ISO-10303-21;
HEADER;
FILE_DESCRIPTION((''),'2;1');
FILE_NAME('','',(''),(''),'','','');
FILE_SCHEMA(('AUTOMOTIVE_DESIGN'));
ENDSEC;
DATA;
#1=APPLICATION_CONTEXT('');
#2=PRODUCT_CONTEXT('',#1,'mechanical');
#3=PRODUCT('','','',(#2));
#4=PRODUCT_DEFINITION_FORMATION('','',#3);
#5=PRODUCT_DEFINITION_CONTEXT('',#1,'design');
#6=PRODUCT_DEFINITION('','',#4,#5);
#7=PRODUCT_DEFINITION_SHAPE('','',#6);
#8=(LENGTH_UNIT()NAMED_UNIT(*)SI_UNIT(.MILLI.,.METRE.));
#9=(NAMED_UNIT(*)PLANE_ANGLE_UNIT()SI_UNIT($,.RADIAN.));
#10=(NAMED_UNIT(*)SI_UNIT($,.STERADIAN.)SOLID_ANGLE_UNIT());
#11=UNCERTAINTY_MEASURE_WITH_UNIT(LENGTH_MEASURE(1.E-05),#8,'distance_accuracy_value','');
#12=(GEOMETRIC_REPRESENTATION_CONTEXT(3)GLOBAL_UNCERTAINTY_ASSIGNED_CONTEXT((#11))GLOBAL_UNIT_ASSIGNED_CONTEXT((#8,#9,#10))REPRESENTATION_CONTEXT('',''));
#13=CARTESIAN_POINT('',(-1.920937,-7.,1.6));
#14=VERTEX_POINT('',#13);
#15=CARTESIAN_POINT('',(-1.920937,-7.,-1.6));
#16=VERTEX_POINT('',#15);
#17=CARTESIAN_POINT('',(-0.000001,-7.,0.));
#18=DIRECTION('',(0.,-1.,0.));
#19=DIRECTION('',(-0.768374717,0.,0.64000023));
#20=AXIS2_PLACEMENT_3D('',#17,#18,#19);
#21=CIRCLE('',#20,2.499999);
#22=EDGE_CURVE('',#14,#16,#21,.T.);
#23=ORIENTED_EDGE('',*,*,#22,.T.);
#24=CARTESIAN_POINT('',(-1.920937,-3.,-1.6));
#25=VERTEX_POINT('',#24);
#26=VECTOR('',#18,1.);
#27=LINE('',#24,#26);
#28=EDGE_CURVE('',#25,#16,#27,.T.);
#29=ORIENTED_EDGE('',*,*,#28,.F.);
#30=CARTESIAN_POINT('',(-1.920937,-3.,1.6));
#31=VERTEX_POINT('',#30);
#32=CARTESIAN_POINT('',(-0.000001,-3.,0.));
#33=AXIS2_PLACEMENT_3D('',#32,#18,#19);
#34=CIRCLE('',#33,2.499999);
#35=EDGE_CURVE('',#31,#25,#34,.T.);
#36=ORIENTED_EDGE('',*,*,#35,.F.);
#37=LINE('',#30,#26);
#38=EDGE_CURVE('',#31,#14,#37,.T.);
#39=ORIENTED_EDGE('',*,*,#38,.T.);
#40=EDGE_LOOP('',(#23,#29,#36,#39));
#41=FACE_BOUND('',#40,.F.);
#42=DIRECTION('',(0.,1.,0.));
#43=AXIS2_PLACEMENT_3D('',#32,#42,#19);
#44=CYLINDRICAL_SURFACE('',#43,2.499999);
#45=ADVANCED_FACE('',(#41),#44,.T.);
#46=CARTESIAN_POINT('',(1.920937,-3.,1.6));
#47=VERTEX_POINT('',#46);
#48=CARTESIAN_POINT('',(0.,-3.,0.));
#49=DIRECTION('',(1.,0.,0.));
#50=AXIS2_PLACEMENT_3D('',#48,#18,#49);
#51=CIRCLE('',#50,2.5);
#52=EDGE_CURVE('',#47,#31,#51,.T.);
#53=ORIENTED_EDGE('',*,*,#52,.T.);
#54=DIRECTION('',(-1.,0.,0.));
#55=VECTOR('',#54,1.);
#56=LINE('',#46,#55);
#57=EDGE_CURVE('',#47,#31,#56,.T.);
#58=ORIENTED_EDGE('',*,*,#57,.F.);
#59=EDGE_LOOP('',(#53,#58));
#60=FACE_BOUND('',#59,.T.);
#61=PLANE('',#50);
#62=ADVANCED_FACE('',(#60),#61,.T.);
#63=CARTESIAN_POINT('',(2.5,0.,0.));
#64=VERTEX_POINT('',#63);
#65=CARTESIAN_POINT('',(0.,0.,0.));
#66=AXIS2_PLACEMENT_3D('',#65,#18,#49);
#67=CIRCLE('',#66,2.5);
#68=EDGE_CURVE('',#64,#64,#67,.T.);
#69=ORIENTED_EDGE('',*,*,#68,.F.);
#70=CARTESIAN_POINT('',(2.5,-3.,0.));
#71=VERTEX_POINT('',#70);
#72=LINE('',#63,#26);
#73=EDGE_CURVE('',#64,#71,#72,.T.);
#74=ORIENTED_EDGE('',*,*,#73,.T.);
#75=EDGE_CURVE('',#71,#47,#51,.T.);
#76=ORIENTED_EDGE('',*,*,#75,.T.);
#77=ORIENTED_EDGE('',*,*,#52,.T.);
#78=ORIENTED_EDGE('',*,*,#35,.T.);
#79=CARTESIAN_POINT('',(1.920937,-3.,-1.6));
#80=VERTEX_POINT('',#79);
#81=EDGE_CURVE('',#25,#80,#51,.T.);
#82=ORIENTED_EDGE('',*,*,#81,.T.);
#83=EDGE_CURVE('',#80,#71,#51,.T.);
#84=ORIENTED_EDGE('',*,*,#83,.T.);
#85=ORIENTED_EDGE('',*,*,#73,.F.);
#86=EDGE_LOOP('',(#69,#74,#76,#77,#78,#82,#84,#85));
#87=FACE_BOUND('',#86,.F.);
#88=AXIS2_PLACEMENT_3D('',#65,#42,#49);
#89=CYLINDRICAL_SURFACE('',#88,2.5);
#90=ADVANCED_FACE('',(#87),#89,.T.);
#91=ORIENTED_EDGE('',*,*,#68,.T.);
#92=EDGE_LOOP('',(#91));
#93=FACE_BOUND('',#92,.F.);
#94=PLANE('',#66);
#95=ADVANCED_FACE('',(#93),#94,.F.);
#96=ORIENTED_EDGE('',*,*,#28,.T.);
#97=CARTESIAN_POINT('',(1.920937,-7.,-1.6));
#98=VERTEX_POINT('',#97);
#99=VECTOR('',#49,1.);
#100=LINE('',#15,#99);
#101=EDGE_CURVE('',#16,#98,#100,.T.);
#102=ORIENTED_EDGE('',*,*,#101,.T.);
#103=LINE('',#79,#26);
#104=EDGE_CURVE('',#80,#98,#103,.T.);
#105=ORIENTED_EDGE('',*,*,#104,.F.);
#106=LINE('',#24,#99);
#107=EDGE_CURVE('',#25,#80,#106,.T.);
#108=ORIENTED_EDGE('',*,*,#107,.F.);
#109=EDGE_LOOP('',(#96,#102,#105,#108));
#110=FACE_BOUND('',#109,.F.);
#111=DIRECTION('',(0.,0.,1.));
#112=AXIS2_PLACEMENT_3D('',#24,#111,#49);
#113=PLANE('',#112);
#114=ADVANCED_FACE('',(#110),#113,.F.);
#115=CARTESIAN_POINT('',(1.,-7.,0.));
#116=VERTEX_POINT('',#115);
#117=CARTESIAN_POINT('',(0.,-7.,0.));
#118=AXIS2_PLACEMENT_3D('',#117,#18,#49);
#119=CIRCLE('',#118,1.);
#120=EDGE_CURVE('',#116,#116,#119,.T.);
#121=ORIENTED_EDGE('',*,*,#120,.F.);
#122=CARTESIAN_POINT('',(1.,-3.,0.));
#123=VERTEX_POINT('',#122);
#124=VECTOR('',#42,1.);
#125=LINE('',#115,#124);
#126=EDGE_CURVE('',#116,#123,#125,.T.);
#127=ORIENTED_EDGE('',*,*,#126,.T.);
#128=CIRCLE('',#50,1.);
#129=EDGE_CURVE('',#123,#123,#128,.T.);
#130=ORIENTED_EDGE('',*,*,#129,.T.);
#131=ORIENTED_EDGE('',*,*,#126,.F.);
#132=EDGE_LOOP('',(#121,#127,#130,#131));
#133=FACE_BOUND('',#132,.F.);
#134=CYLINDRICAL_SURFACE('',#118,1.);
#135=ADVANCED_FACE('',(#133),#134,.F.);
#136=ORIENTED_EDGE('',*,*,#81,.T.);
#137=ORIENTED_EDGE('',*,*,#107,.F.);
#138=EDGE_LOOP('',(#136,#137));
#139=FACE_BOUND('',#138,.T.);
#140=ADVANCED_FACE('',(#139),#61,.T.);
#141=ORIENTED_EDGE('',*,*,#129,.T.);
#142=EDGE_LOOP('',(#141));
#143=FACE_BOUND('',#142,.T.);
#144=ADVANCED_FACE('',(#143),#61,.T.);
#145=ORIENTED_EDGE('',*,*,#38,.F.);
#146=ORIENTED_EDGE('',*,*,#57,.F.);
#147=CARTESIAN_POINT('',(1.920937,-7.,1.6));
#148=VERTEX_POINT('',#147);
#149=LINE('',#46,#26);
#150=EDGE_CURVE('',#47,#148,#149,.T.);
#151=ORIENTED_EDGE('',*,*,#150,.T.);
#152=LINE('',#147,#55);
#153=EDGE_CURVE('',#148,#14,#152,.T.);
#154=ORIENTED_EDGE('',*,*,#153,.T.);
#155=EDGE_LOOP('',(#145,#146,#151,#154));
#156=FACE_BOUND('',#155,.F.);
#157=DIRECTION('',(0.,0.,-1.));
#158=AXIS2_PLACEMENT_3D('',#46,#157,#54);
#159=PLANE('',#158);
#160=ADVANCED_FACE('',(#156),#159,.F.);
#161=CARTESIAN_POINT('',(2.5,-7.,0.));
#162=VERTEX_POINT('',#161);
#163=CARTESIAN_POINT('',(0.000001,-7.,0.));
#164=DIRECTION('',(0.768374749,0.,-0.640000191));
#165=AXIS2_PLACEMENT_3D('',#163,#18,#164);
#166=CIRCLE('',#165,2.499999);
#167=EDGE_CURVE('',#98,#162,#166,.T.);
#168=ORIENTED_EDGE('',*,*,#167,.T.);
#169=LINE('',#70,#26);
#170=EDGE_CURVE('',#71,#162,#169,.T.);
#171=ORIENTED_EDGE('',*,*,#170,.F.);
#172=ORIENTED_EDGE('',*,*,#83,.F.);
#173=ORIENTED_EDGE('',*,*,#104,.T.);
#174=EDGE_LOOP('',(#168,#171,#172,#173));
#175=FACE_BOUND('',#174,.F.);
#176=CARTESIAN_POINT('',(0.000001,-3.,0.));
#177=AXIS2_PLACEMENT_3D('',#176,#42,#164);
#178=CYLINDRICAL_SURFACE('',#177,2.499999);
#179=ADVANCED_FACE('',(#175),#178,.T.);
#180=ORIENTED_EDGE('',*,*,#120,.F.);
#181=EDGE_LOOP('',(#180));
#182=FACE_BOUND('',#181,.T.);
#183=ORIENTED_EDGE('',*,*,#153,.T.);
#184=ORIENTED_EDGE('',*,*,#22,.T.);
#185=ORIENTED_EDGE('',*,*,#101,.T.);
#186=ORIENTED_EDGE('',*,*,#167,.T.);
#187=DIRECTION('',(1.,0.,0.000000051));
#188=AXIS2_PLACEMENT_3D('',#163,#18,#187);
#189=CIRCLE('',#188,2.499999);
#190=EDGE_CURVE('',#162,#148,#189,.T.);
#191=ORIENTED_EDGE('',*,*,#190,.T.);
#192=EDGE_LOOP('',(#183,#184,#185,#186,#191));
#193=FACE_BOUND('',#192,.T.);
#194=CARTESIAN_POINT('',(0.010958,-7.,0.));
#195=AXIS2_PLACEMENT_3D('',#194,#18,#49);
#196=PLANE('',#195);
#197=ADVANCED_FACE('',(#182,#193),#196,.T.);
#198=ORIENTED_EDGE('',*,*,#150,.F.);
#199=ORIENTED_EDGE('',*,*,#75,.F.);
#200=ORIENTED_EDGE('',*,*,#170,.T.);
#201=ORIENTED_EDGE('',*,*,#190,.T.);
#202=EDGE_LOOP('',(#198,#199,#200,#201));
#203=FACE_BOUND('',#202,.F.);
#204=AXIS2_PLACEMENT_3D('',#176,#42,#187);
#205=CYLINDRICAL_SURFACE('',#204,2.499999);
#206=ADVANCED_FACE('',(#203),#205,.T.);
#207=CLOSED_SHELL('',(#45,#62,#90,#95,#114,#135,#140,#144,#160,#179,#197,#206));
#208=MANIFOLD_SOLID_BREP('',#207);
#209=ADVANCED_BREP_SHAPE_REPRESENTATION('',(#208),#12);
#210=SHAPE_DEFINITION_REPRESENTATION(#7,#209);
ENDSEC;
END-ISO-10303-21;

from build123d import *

# Parameters (mm, degrees)
F0_R     = 2.5
F1_DEPTH = 3
F3_DEPTH = 4
F4_R     = 1
F5_DEPTH = 4


with BuildPart() as f1:
    # F0 (on Front) → F1 (new body)
    with BuildSketch(Plane.XZ):
        Circle(F0_R)
    extrude(amount=F1_DEPTH)

    # F2 (on face) → F3 (join)
    with BuildSketch(Plane.XZ.offset(3)):
        with BuildLine():
            Line((1.920937, 1.6), (-1.920937, 1.6))
            ThreePointArc((-1.920937, 1.6), (-2.5, 0), (-1.920937, -1.6))
            Line((-1.920937, -1.6), (1.920937, -1.6))
            ThreePointArc((1.920937, -1.6), (2.350781, -0.850781), (2.5, 0))
            ThreePointArc((2.5, 0), (2.350781, 0.850781), (1.920937, 1.6))
        make_face()
    extrude(amount=F3_DEPTH)

    # F4 (on face) → F5 (cut)
    with BuildSketch(Plane.XZ.offset(7)):
        Circle(F4_R)
    extrude(amount=-F5_DEPTH, mode=Mode.SUBTRACT)


solid = f1.part
